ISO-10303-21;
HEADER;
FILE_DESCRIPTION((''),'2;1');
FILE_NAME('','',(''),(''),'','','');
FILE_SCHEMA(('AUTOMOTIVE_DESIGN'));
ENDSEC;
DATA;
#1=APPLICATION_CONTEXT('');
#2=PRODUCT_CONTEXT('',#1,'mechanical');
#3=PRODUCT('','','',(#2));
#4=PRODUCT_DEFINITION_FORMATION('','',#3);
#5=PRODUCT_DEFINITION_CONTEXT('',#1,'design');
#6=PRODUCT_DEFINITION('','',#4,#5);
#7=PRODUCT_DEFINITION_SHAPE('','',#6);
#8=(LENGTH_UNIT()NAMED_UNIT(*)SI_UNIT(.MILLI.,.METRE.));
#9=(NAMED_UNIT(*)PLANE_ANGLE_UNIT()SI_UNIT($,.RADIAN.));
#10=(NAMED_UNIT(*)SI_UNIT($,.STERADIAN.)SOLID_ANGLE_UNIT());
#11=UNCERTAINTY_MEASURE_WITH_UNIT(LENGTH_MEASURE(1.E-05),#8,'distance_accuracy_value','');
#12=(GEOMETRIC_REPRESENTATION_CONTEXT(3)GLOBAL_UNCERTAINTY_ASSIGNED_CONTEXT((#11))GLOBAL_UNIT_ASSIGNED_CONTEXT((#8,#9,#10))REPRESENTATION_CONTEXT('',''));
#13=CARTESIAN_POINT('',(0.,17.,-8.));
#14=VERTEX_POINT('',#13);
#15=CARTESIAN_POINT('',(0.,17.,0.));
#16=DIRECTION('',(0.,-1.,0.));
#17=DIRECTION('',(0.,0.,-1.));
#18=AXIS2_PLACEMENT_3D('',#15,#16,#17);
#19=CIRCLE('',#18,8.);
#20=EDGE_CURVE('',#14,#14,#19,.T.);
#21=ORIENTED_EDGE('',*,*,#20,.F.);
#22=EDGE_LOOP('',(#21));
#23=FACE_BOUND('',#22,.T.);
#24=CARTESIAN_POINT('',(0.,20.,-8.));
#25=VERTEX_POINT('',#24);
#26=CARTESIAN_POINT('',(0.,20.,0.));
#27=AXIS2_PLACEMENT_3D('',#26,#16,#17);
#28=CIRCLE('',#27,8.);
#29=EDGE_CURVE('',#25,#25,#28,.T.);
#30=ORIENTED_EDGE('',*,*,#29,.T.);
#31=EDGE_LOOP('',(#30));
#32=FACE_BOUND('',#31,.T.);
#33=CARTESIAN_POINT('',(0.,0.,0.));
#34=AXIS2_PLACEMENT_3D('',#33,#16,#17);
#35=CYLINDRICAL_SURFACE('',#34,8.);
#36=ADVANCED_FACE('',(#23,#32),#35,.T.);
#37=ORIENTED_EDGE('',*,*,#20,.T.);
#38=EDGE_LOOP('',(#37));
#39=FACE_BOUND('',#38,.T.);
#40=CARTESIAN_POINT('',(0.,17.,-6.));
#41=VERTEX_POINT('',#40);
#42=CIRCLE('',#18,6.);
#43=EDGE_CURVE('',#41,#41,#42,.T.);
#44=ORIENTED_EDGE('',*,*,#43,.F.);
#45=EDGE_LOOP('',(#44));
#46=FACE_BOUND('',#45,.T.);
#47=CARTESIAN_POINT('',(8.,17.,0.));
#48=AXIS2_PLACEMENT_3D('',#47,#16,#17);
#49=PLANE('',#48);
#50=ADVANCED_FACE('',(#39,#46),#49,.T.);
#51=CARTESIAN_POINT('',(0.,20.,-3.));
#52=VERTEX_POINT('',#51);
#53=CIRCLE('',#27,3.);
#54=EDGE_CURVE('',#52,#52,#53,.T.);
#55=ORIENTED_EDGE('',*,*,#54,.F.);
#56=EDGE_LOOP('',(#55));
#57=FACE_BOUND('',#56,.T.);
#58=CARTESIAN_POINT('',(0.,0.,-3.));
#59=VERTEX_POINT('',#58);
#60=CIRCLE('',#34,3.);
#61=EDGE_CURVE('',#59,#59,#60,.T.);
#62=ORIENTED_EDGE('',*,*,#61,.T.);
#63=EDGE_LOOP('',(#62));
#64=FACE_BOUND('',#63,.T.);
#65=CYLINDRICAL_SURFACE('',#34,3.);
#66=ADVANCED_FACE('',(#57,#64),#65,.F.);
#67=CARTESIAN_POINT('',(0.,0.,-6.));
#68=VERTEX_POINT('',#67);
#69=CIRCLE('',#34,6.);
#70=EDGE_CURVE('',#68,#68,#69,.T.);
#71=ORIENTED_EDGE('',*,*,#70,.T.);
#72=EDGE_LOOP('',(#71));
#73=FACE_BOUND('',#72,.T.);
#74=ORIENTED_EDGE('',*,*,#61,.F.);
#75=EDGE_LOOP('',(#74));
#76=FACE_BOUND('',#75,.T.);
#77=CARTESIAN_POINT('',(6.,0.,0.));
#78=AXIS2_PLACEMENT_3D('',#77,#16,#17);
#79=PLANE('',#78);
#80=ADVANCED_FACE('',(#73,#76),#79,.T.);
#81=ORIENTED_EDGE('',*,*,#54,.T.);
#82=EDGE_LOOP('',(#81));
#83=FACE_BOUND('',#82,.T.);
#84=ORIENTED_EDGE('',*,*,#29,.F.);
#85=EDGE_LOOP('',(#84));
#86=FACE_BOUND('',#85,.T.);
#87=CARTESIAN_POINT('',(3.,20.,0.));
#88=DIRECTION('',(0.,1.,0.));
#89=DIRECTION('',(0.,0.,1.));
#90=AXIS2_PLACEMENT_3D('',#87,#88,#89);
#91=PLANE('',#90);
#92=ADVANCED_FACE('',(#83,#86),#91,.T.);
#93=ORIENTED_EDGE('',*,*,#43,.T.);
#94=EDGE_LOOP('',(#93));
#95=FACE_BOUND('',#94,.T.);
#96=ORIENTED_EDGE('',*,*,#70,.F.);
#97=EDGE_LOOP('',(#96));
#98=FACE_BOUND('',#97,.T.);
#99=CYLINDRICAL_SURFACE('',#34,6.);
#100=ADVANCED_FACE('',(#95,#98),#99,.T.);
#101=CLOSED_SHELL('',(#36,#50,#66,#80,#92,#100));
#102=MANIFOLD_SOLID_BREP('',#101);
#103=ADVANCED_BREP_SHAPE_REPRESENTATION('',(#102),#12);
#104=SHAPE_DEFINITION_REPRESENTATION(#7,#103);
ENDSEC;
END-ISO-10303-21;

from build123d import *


with BuildPart() as part:
    # Esquisse1 → Révolution1 (revolve)
    with BuildSketch(Plane.XY, mode=Mode.PRIVATE) as r_volution1_sk:
        Polygon((3, 0), (3, 20), (8, 20), (8, 17), (6, 17), (6, 0), align=None)
    revolve(r_volution1_sk.sketch.rotate(Axis((0, 0, 0), (0, 1, 0)), 90), axis=Axis((0, 0, 0), (0, 1, 0)))  # turned: the seam where the file's is


solid = part.part
